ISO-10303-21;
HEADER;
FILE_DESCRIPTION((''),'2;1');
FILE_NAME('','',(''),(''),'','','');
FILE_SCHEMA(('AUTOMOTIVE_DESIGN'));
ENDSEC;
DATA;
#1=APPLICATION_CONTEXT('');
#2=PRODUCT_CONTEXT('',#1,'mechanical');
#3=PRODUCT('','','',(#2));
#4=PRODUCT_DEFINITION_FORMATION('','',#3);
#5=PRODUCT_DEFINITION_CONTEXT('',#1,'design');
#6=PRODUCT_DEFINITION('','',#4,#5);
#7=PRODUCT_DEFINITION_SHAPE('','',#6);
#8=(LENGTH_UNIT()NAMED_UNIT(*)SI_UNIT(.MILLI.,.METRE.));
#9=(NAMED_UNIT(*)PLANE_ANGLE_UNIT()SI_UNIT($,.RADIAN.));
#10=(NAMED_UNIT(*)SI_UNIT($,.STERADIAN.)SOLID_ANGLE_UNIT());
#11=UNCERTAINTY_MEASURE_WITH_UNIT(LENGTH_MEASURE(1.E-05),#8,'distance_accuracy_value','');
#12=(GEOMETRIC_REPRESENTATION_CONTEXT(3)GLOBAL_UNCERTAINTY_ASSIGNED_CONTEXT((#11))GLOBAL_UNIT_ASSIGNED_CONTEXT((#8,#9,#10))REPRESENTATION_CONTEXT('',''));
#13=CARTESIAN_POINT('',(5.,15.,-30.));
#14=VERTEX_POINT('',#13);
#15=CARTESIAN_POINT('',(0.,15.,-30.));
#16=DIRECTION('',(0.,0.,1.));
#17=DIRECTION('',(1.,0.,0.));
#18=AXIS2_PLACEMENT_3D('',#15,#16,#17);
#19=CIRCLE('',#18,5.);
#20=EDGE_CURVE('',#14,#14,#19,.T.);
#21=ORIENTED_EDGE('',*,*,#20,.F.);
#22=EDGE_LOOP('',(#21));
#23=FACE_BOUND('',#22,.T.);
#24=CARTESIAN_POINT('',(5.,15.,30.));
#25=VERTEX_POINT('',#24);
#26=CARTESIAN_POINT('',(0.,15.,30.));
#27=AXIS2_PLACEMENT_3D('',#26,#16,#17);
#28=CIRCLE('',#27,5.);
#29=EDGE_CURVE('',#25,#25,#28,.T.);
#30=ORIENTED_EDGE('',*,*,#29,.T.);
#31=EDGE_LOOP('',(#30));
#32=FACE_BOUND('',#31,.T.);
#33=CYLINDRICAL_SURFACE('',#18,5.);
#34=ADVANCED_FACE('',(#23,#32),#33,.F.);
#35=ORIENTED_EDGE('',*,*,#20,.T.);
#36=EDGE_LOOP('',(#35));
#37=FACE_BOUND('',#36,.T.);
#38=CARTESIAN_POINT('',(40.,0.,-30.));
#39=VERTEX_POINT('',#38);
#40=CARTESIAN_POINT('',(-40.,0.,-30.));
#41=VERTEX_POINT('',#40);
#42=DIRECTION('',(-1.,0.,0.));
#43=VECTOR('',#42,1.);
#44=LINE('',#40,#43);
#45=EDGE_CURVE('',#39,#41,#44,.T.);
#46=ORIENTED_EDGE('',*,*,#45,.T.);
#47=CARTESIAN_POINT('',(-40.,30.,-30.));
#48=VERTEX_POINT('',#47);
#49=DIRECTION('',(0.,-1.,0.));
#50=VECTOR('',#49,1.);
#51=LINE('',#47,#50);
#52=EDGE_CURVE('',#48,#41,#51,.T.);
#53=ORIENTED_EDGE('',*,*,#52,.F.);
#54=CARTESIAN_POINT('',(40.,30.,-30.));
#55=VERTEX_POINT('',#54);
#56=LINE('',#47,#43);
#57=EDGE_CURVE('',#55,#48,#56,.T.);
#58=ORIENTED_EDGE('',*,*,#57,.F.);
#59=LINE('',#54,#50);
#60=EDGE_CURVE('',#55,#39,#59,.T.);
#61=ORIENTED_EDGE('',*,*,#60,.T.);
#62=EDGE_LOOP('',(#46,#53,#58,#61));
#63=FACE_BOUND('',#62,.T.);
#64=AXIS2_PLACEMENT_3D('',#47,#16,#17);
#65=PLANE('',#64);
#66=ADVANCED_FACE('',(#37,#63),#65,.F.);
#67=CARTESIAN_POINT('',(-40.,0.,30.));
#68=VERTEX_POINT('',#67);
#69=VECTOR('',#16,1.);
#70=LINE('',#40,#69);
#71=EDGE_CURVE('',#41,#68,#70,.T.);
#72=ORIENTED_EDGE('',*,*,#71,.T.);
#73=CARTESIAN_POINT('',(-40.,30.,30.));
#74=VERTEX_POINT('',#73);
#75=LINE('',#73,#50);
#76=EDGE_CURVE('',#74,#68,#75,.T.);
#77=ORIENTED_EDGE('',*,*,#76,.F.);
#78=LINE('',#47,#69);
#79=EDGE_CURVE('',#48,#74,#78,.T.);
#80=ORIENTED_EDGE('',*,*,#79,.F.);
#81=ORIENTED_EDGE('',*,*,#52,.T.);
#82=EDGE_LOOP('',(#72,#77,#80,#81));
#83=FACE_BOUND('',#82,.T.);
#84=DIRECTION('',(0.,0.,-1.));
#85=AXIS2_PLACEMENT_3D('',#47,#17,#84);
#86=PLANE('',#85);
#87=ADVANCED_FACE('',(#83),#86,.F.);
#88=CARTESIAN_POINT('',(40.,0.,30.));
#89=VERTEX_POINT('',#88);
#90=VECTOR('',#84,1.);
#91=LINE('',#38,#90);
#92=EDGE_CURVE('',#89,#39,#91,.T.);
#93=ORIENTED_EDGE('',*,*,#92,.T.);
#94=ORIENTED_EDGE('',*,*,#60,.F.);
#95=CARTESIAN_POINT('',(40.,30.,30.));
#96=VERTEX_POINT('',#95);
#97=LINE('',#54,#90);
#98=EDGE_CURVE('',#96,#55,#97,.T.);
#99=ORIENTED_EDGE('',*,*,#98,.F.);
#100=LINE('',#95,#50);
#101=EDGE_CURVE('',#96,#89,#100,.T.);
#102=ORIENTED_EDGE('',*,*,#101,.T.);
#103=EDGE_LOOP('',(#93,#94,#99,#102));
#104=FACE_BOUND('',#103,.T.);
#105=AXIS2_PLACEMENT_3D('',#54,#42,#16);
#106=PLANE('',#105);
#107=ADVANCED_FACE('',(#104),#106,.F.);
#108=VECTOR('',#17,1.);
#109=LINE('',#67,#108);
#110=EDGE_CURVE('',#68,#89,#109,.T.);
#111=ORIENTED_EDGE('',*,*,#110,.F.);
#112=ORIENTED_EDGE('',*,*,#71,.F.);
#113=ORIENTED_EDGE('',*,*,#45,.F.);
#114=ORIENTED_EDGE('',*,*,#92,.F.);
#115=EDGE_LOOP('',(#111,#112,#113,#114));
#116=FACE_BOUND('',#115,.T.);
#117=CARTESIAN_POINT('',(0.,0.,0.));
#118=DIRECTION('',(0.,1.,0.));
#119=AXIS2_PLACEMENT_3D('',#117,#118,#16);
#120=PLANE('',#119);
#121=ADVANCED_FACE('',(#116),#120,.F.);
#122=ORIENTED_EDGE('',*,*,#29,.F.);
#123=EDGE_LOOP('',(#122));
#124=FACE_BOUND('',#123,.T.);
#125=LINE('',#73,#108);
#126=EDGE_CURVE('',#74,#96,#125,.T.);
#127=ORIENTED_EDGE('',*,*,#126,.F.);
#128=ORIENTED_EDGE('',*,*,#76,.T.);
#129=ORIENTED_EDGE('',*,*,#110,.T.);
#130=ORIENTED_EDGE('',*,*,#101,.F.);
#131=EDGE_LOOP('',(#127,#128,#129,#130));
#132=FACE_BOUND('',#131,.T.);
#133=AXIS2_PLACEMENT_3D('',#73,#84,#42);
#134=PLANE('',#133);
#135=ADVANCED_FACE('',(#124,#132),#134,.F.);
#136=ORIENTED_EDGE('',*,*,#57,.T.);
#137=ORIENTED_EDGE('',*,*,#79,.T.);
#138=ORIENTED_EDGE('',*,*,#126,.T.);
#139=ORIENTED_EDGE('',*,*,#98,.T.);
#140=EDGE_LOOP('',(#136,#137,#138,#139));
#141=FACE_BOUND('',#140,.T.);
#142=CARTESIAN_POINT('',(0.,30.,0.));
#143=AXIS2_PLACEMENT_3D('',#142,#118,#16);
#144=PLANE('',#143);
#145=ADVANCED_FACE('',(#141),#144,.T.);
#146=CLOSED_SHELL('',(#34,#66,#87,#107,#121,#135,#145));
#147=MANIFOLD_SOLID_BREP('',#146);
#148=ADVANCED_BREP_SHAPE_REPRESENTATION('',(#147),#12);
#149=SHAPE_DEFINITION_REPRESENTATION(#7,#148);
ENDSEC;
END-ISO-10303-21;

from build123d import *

# Parameters (mm, degrees)
SKETCH_1_W          = 80
SKETCH_1_H          = 60
EXTRUDE_1_DEPTH     = 30
SKETCH_2_R          = 5
CUT_EXTRUDE_1_DEPTH = 61


with BuildPart() as part:
    # 草图1 → 凸台-拉伸1 (new body)
    with BuildSketch(Plane(origin=(0, 0, 0), x_dir=(1, 0, 0), z_dir=(0, 1, 0))):
        Rectangle(SKETCH_1_W, SKETCH_1_H)
    extrude(amount=EXTRUDE_1_DEPTH)

    # 草图2 → 切除-拉伸1 (cut, through all)
    with BuildSketch(Plane.XY.offset(30)):
        with Locations((0, 15)):
            Circle(SKETCH_2_R)
    extrude(amount=-CUT_EXTRUDE_1_DEPTH, mode=Mode.SUBTRACT)


solid = part.part
